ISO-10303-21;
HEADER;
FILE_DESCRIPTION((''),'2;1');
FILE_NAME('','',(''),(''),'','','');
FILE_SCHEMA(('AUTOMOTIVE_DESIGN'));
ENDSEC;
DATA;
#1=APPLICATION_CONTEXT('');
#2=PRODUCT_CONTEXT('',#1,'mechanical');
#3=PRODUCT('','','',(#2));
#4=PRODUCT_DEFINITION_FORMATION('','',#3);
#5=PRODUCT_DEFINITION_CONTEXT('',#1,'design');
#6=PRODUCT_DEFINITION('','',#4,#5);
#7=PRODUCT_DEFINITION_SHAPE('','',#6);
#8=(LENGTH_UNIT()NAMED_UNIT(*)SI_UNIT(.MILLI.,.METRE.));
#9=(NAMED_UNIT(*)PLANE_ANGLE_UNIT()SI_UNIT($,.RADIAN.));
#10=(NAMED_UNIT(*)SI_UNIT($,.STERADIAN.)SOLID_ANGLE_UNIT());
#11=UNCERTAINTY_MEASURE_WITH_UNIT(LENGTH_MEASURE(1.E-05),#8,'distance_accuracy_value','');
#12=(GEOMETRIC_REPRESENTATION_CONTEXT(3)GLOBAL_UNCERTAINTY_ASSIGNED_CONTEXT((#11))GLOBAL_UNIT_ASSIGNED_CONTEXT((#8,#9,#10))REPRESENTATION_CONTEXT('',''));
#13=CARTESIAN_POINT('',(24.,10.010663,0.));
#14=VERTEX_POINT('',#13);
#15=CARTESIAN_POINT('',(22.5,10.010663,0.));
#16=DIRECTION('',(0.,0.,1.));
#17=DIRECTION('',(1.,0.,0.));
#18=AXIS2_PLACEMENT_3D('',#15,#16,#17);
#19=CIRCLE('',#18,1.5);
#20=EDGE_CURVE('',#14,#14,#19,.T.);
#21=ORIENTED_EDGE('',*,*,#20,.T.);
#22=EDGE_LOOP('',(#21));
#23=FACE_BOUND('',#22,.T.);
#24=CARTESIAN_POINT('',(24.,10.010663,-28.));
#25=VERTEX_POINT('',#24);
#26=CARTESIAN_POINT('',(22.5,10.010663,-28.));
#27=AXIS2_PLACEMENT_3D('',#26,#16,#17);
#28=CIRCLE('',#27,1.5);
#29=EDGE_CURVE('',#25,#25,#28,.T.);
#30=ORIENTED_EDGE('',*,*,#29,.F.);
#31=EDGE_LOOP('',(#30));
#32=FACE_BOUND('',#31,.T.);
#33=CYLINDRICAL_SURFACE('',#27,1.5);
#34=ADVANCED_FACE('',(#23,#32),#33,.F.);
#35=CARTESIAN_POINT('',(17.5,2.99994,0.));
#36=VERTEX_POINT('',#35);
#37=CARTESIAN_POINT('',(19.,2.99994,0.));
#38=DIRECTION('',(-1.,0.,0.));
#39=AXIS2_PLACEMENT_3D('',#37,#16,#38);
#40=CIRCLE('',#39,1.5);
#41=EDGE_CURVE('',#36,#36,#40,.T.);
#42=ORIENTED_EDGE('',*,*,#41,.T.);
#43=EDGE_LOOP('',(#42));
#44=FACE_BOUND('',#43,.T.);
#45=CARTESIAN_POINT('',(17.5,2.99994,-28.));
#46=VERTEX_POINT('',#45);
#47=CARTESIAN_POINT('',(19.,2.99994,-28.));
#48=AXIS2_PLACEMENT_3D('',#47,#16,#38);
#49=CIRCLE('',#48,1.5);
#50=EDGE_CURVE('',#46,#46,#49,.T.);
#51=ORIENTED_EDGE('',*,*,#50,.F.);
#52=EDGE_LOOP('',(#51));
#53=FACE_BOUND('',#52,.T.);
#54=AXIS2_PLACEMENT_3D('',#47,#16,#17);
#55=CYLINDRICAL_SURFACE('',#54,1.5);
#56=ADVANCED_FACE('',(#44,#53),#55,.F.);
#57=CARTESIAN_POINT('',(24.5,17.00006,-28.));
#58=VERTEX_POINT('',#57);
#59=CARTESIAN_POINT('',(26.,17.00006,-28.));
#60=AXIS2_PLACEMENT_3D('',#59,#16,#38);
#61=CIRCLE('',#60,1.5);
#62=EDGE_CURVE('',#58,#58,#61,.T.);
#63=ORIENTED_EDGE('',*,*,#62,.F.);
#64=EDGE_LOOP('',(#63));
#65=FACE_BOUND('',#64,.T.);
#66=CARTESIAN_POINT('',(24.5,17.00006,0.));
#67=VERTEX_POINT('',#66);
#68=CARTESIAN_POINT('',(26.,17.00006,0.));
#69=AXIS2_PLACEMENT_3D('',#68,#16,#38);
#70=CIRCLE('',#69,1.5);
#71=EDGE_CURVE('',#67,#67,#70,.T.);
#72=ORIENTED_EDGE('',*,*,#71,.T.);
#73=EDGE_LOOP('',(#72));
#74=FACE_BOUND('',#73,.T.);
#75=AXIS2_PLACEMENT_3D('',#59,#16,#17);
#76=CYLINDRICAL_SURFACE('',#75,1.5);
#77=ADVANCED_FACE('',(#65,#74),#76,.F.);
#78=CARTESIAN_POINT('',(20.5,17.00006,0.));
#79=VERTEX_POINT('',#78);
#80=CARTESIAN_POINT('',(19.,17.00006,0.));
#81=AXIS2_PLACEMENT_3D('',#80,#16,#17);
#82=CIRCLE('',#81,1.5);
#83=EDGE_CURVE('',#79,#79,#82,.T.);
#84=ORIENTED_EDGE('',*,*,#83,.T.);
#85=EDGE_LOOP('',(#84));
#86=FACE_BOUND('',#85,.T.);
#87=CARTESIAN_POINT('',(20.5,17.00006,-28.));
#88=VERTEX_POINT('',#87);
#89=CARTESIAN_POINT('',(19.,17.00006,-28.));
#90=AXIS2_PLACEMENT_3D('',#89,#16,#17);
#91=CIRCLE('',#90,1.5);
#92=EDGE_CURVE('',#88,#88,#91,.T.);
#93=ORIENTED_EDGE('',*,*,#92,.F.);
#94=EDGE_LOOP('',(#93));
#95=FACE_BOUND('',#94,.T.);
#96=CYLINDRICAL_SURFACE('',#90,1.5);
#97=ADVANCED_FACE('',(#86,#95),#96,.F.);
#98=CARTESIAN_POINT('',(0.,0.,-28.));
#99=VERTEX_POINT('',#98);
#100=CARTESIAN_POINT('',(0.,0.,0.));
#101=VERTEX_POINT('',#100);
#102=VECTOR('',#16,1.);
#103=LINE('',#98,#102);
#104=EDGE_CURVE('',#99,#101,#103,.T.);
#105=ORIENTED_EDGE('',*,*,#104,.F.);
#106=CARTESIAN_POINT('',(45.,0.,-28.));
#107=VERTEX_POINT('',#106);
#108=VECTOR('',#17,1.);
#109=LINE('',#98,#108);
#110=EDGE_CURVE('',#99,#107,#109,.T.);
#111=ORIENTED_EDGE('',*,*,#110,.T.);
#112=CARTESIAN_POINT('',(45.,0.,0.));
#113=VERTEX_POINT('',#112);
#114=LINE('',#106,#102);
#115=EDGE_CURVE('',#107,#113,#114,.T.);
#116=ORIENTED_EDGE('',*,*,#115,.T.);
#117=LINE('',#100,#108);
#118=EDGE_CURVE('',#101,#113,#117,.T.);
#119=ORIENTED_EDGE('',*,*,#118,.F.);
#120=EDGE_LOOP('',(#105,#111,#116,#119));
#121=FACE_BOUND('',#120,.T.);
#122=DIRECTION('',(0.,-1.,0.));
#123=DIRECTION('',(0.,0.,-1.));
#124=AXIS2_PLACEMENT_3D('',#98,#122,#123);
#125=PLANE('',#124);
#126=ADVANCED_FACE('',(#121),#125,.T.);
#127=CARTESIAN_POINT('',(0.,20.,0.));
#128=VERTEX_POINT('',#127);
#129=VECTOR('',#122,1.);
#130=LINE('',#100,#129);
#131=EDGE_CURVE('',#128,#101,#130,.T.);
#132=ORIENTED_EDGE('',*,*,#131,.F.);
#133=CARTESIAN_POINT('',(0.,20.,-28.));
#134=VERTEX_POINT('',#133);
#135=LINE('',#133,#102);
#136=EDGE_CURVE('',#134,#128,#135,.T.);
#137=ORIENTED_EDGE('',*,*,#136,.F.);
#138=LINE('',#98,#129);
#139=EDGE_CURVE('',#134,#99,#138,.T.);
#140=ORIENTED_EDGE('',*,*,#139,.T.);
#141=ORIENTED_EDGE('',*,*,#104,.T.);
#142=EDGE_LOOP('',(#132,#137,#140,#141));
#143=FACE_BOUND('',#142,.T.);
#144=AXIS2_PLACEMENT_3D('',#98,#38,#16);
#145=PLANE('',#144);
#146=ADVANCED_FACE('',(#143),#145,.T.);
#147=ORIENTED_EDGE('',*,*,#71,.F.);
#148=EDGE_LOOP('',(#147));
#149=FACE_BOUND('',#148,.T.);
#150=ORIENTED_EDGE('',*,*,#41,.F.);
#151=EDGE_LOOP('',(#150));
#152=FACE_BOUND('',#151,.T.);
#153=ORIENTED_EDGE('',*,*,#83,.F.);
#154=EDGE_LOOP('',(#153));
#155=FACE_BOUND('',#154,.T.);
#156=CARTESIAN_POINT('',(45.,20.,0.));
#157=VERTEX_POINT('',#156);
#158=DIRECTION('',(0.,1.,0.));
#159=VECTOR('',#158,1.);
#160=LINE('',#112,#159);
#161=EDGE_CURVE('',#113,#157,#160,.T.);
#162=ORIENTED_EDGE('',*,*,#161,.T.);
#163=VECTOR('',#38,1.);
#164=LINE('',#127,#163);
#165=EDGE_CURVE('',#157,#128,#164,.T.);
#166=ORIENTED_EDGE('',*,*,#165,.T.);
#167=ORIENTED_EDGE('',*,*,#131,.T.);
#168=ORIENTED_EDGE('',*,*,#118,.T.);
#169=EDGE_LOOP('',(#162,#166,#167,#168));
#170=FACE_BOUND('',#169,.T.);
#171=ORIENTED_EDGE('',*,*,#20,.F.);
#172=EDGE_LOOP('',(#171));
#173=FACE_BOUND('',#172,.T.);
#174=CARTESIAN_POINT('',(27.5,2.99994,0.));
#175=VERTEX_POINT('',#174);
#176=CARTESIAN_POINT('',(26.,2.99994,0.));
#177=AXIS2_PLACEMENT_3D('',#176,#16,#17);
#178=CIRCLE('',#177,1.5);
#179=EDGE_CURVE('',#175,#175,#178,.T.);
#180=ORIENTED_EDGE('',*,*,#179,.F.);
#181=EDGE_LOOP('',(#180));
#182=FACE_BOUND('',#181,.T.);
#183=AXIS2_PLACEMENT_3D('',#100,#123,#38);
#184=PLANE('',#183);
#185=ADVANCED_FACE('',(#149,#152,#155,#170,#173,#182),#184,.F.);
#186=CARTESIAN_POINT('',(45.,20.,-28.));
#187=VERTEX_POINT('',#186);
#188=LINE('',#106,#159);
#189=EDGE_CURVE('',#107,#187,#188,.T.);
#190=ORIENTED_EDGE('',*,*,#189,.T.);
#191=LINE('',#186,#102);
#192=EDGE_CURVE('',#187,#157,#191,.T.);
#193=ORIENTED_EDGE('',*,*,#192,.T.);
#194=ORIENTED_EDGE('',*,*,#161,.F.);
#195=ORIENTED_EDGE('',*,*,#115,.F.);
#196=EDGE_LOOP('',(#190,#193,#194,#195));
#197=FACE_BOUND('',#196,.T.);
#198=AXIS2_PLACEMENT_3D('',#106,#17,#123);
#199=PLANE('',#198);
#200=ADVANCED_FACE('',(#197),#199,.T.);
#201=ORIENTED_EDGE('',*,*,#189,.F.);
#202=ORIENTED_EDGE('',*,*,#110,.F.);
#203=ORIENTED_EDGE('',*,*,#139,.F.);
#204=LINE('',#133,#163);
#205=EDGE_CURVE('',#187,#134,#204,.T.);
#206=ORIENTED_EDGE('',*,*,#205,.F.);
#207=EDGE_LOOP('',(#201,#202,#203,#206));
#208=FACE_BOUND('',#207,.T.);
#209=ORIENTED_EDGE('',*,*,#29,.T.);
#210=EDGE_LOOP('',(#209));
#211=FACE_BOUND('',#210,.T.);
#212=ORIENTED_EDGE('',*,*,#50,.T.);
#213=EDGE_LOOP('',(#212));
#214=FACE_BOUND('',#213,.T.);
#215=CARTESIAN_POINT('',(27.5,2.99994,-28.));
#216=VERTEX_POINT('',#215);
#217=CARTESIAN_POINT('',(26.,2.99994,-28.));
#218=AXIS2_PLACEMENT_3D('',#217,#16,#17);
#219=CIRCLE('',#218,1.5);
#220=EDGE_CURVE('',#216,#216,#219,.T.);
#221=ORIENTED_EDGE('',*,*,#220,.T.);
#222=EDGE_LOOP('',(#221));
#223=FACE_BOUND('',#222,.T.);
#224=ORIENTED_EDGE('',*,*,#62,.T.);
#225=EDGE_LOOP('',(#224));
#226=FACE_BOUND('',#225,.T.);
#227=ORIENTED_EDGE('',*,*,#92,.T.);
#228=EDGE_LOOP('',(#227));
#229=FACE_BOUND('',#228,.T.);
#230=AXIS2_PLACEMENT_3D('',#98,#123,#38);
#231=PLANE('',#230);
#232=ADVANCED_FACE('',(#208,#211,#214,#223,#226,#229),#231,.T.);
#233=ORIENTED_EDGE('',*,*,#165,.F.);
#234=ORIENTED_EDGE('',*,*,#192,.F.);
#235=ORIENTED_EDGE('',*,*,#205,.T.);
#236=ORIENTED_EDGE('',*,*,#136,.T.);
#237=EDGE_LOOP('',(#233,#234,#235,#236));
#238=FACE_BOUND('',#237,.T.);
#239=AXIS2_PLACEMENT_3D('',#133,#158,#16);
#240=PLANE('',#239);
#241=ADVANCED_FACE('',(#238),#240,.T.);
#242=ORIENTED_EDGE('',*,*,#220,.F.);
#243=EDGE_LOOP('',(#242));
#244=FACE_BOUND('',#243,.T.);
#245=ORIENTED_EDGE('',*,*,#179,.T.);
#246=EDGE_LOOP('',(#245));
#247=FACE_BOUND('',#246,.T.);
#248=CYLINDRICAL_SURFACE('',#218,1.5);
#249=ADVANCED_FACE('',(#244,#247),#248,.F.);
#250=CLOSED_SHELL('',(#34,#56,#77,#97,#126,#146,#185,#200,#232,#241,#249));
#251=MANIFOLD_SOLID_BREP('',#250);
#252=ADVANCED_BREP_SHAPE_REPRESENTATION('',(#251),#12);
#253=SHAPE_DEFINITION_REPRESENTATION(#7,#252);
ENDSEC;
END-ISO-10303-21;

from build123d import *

# Parameters (mm, degrees)
SKETCH2_W           = 45
SKETCH2_H           = 20
BOSS_EXTRUDE1_DEPTH = 28
SKETCH3_R           = 1.5
CUT_EXTRUDE1_DEPTH  = 28


with BuildPart() as part:
    # Sketch2 → Boss-Extrude1 (new body)
    with BuildSketch(Plane.XY):
        with Locations((22.5, 10)):
            Rectangle(SKETCH2_W, SKETCH2_H)
    extrude(amount=-BOSS_EXTRUDE1_DEPTH)

    # Sketch3 → Cut-Extrude1 (cut)
    with BuildSketch(Plane.XY):
        with Locations((22.5, 10.010662988)):
            Circle(SKETCH3_R)
        with Locations((19, 17.000059599)):
            Circle(SKETCH3_R)
        with Locations((19, 2.999940401)):
            Circle(SKETCH3_R)
        with Locations((26, 2.999940401)):
            Circle(SKETCH3_R)
        with Locations((26, 17.000059599)):
            Circle(SKETCH3_R)
    extrude(amount=-CUT_EXTRUDE1_DEPTH, mode=Mode.SUBTRACT)


solid = part.part
